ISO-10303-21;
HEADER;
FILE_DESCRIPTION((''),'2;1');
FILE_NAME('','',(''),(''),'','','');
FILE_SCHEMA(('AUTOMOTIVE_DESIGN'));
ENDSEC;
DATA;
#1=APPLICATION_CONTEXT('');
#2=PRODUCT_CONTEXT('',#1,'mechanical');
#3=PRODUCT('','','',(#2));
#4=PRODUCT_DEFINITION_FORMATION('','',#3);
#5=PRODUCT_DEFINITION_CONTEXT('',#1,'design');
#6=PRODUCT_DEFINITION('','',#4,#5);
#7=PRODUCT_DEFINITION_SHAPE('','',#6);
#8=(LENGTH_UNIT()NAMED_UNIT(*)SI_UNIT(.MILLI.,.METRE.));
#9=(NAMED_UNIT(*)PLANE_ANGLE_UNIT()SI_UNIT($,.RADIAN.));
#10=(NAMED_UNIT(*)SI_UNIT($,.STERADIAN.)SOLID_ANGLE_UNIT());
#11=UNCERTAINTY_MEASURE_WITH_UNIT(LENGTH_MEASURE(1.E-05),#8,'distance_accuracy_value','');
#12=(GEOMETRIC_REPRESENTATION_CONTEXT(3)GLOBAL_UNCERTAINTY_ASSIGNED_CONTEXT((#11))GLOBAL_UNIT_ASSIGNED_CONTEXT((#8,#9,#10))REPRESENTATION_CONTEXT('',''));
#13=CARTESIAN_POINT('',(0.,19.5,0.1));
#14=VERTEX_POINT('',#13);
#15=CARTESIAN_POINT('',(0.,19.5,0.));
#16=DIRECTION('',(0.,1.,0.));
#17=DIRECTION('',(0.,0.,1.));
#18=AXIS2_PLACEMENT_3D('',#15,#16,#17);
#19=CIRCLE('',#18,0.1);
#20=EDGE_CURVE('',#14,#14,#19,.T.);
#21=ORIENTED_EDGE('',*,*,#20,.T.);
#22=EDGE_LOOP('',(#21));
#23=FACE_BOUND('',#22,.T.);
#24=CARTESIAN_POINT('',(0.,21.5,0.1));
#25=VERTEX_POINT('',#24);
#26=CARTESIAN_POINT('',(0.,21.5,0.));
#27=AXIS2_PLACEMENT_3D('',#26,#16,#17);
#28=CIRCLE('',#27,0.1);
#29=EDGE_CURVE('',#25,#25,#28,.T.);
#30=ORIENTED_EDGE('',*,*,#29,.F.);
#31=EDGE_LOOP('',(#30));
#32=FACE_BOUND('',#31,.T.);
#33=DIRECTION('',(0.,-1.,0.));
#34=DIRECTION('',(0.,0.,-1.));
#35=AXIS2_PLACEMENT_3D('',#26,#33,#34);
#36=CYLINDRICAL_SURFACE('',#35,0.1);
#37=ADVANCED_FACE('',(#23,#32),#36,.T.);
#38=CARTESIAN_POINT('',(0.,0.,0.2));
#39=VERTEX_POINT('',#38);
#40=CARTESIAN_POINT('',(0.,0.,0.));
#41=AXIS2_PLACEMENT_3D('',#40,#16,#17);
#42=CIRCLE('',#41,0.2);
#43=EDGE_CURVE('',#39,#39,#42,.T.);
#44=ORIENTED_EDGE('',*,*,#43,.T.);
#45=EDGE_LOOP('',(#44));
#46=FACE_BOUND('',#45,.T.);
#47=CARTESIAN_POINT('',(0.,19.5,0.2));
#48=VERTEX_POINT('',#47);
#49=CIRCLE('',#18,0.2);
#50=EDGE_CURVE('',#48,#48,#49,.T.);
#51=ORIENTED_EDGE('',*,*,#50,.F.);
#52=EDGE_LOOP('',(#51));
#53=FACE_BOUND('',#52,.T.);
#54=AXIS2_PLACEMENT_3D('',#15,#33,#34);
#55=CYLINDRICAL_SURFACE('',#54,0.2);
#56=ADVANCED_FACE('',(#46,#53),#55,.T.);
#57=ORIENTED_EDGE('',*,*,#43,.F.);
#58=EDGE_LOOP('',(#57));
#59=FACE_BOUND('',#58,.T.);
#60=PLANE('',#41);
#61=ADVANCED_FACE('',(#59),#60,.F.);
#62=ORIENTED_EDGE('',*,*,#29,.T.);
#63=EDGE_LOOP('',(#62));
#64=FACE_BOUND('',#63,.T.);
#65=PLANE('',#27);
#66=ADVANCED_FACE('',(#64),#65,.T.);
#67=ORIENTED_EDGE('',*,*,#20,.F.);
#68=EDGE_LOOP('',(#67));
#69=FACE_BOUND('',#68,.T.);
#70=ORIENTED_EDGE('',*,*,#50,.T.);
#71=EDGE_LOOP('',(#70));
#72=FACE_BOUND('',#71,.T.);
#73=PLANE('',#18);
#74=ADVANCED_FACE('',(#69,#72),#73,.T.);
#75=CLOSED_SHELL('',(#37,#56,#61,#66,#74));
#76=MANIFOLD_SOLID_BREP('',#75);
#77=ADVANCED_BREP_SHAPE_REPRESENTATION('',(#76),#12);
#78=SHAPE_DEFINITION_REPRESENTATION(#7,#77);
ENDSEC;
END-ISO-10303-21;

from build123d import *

# Parameters (mm, degrees)
SKETCH1_R           = 0.2
BOSS_EXTRUDE1_DEPTH = 19.5
SKETCH2_R           = 0.1
BOSS_EXTRUDE2_DEPTH = 2


with BuildPart() as part:
    # Sketch1 → Boss-Extrude1 (new body)
    with BuildSketch(Plane(origin=(0, 0, 0), x_dir=(1, 0, 0), z_dir=(0, 1, 0))):
        Circle(SKETCH1_R)
    extrude(amount=BOSS_EXTRUDE1_DEPTH)

    # Sketch2 → Boss-Extrude2 (add)
    with BuildSketch(Plane(origin=(0, 19.5, 0), x_dir=(1, 0, 0), z_dir=(0, 1, 0))):
        Circle(SKETCH2_R)
    extrude(amount=BOSS_EXTRUDE2_DEPTH)


solid = part.part
